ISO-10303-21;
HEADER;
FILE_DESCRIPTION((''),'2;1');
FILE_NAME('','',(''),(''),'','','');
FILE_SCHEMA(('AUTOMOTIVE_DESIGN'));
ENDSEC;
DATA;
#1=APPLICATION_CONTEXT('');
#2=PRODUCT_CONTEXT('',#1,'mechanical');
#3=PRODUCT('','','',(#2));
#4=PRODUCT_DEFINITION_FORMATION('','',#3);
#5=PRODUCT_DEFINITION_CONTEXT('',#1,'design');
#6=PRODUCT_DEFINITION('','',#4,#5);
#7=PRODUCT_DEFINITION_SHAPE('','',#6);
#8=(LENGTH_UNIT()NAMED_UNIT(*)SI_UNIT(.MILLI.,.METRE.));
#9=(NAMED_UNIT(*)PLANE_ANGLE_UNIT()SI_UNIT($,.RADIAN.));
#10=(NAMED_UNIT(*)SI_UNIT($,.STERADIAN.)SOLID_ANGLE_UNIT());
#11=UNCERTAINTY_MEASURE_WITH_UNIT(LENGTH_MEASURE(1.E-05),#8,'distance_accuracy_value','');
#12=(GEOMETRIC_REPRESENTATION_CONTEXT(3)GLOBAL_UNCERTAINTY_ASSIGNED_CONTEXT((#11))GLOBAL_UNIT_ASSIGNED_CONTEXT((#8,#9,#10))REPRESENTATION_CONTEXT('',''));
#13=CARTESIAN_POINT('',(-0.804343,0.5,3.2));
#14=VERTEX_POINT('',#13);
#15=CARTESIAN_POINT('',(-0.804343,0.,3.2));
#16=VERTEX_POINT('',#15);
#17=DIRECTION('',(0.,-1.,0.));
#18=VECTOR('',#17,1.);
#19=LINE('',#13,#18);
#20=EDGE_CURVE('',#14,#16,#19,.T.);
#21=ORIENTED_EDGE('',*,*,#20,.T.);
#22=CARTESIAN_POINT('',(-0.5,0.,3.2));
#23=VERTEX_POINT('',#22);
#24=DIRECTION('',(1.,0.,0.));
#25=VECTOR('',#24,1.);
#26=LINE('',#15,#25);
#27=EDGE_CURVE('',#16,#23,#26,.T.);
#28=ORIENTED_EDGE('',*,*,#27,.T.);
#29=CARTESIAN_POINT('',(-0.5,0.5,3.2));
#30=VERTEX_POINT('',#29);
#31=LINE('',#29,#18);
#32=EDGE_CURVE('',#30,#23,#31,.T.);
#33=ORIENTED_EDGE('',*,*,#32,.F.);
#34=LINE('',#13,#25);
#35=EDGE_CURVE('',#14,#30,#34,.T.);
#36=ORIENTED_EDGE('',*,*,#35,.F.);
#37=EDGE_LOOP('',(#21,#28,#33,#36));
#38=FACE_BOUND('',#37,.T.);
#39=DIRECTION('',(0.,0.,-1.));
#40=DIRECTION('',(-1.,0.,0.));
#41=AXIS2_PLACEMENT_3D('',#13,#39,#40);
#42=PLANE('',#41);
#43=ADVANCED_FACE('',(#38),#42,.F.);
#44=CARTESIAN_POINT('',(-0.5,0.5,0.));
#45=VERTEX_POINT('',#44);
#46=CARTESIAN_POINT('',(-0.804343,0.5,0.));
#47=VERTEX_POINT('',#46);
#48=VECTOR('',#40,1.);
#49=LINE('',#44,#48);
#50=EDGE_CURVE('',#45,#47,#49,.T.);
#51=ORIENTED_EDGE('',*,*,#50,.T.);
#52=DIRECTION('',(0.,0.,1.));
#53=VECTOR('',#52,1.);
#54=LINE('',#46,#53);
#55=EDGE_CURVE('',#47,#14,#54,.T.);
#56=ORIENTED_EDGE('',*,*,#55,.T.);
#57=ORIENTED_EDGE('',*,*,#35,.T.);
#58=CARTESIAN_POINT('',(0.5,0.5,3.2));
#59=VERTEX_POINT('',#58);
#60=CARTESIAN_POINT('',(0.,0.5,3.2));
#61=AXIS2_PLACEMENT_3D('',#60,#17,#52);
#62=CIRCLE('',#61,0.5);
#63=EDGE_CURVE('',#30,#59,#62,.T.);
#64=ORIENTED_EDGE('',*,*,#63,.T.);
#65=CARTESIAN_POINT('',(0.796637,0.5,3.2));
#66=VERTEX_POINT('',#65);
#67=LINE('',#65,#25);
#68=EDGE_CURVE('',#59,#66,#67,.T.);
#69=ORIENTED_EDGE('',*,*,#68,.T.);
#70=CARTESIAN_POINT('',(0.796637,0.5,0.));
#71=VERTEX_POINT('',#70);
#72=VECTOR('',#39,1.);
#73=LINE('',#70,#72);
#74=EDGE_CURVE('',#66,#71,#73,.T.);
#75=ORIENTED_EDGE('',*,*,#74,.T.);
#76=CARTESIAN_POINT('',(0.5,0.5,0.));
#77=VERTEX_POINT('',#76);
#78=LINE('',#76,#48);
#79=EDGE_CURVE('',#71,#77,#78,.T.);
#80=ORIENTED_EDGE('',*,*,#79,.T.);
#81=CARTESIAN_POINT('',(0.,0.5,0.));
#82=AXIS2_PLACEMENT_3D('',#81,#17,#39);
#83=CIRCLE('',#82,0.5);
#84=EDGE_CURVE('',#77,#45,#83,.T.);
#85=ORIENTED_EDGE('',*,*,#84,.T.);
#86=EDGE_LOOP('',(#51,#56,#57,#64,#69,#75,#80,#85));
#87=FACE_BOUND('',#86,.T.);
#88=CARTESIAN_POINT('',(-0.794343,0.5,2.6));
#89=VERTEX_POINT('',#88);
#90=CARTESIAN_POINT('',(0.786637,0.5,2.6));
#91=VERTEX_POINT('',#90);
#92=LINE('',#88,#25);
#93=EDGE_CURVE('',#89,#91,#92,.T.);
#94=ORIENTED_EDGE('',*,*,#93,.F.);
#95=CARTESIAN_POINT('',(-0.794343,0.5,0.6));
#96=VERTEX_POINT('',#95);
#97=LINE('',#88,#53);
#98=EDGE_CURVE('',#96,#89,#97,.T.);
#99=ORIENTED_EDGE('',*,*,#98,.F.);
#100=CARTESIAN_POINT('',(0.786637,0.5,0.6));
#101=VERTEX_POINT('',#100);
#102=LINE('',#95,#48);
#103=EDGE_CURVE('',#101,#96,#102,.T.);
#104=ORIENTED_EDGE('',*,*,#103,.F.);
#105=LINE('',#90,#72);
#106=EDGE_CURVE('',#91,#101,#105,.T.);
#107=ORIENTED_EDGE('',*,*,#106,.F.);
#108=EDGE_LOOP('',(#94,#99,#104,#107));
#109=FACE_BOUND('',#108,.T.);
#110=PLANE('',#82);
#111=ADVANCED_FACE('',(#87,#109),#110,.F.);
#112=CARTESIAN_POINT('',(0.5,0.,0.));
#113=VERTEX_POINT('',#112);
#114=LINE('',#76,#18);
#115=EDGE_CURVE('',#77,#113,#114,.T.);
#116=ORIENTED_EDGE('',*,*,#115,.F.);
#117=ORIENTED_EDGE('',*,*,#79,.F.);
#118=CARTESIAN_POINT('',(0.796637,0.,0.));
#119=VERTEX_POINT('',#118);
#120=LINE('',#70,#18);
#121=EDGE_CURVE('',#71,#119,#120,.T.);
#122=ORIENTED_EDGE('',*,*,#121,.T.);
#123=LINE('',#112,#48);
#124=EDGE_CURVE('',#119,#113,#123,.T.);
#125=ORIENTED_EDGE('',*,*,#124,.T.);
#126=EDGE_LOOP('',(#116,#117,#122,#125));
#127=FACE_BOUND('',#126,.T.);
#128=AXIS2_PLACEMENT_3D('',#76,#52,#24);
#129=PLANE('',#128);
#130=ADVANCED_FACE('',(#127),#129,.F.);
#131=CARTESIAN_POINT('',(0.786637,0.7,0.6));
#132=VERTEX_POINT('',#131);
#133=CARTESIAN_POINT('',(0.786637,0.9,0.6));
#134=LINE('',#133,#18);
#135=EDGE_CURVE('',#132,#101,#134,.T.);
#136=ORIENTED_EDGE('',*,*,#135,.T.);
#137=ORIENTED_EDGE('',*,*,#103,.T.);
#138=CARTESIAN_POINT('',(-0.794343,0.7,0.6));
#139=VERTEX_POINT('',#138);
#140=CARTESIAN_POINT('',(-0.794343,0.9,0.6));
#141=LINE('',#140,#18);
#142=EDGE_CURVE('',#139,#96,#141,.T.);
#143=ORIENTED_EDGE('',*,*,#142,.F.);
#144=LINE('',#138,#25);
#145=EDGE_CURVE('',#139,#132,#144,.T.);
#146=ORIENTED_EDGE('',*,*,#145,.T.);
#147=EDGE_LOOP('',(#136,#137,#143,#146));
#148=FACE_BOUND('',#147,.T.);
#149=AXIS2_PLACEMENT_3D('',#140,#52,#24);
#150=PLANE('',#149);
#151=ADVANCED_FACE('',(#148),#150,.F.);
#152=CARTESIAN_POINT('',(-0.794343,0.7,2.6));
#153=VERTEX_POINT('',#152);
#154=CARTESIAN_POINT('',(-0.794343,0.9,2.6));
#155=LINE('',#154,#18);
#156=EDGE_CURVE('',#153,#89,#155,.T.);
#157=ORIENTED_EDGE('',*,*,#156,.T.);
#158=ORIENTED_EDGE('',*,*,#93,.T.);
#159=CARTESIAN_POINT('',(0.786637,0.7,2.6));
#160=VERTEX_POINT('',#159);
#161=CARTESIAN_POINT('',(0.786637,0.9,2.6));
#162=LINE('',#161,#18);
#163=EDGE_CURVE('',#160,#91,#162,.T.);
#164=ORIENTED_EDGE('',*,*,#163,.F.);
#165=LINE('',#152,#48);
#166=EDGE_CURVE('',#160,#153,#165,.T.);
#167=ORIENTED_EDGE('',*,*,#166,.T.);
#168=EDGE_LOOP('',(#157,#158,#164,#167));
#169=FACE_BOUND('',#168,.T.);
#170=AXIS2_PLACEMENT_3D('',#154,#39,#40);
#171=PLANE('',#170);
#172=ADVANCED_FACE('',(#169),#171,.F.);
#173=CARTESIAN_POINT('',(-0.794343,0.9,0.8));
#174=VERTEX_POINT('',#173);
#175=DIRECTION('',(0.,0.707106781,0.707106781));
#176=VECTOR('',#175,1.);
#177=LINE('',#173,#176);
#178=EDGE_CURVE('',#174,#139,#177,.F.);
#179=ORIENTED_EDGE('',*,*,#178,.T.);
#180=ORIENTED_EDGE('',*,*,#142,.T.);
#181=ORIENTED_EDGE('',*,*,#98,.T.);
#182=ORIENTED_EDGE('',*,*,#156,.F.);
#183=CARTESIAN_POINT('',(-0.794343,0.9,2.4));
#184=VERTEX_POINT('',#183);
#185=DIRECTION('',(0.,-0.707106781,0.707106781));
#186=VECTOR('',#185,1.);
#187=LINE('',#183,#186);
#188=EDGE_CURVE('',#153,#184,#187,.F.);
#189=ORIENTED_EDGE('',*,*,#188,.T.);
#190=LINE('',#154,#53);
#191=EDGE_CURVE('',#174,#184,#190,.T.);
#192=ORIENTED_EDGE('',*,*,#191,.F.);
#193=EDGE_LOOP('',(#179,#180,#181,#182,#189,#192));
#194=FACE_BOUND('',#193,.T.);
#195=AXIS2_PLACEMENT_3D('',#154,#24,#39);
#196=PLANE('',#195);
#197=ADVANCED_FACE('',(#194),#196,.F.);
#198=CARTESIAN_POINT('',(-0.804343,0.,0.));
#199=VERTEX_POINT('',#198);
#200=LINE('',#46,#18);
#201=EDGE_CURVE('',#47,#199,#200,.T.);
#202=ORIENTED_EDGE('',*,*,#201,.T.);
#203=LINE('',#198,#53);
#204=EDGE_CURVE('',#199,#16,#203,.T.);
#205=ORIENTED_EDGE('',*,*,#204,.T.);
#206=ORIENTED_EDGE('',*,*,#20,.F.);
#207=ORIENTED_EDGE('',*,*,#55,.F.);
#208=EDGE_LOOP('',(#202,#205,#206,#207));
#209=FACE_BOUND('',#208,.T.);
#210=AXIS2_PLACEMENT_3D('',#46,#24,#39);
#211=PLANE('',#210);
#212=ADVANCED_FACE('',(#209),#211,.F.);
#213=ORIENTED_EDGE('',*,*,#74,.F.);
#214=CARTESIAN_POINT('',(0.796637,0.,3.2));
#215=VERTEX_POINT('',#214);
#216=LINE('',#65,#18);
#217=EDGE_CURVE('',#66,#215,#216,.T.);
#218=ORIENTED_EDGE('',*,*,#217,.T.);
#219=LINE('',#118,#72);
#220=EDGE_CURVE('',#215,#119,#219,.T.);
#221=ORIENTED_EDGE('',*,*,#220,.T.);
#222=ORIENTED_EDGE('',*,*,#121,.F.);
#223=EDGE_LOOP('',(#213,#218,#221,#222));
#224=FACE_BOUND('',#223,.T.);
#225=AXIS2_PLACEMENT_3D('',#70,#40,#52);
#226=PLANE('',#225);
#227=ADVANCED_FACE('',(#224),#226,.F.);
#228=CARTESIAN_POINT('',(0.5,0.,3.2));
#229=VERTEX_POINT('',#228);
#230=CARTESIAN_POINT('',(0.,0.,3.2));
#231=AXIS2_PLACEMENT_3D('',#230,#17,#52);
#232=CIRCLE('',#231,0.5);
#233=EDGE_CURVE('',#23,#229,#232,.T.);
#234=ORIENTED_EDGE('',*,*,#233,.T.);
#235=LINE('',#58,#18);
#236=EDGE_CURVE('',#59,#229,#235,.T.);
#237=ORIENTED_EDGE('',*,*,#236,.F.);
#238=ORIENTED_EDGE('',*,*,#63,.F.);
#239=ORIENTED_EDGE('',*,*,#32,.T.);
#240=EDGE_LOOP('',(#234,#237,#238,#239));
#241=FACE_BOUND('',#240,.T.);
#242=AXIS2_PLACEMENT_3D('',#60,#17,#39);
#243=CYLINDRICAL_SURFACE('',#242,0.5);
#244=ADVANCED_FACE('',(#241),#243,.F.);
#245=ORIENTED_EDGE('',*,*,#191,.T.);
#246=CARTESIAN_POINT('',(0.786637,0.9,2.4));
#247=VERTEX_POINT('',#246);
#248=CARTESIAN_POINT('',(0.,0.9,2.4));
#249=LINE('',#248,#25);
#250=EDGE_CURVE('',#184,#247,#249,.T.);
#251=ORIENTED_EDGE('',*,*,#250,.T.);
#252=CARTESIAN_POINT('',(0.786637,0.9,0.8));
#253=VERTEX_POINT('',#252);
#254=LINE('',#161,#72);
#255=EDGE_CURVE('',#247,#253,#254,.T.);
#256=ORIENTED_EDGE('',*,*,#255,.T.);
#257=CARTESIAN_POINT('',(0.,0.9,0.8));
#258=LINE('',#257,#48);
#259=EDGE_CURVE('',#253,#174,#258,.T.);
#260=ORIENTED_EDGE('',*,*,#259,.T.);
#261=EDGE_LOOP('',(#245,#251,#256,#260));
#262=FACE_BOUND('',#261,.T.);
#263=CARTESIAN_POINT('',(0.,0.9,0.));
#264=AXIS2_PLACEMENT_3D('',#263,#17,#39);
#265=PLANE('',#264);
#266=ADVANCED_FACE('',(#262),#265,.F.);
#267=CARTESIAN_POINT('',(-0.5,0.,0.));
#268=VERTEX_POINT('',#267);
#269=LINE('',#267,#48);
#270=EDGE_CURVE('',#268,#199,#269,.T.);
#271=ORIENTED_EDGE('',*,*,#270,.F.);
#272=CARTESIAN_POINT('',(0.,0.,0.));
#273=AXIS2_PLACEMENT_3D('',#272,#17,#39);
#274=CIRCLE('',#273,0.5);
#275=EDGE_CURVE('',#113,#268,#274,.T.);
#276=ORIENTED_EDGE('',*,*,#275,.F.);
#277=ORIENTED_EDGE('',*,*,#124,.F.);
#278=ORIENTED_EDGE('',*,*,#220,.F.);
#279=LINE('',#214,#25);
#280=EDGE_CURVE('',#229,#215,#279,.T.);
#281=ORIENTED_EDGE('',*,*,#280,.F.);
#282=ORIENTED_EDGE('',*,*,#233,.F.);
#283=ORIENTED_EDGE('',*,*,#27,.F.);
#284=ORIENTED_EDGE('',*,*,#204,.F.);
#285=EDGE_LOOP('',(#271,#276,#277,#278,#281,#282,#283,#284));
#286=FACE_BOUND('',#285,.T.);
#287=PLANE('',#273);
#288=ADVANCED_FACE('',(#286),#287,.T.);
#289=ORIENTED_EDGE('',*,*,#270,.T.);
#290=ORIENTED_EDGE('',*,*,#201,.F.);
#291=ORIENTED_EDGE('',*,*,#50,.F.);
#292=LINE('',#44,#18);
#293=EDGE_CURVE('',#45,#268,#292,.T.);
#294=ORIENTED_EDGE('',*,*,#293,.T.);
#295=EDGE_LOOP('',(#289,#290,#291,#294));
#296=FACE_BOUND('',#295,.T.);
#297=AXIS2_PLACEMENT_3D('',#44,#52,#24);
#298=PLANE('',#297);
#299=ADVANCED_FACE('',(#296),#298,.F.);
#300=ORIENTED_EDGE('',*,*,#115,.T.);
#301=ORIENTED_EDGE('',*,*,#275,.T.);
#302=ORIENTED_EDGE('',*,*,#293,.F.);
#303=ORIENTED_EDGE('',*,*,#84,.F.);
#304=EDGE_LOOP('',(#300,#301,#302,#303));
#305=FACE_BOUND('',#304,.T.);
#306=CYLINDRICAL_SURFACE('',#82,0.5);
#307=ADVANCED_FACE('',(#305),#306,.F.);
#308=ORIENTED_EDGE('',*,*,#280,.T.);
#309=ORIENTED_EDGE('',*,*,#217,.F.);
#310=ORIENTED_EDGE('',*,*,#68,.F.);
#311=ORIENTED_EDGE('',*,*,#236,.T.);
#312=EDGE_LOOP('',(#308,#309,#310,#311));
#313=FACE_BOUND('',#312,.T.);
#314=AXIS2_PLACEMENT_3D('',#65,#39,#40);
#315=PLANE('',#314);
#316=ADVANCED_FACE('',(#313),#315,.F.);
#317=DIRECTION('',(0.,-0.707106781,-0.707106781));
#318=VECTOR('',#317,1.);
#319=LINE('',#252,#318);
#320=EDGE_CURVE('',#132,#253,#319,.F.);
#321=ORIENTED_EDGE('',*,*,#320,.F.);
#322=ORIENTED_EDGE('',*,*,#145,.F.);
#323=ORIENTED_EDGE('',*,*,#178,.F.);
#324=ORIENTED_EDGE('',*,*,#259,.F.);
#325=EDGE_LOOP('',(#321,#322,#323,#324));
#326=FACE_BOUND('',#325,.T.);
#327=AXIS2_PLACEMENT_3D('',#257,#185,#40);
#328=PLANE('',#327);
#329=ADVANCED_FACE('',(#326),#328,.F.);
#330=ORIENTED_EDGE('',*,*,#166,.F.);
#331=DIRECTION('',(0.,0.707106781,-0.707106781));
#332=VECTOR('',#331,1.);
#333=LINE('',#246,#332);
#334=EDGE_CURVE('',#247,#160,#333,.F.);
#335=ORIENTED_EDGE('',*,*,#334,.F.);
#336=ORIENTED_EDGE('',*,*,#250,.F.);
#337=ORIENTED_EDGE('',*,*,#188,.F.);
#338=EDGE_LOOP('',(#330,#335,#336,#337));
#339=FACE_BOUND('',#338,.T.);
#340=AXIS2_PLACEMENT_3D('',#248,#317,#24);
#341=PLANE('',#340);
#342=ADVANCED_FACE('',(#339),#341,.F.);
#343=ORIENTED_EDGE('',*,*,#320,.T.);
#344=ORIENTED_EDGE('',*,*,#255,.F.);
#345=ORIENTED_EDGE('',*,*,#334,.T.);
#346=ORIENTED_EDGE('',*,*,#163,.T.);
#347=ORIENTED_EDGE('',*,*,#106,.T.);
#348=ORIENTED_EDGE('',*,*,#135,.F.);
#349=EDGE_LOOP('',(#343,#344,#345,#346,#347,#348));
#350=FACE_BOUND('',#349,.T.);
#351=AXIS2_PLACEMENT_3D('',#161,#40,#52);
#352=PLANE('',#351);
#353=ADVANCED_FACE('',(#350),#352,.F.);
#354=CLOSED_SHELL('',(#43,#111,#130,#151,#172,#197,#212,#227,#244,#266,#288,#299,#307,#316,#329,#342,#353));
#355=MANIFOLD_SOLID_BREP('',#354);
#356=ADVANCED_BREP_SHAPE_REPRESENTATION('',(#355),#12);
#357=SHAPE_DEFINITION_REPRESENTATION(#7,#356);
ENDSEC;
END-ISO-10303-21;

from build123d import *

# Parameters (mm, degrees)
BOSS_EXTRUDE1_DEPTH = 0.5
SKETCH2_W           = 1.580979229
SKETCH2_H           = 2
BOSS_EXTRUDE3_DEPTH = 0.4
CHAMFER2_SIZE       = 0.2


with BuildPart() as part:
    # Sketch1 → Boss-Extrude1 (new body)
    with BuildSketch(Plane(origin=(0, 0, 0), x_dir=(1, 0, 0), z_dir=(0, 1, 0))):
        with BuildLine():
            Line((-0.5, 0), (-0.804342602, 0))
            Line((-0.804342602, 0), (-0.804342602, -3.2))
            Line((-0.804342602, -3.2), (-0.5, -3.2))
            ThreePointArc((-0.5, -3.2), (0, -2.7), (0.5, -3.2))
            Line((0.5, -3.2), (0.796636627, -3.2))
            Line((0.796636627, -3.2), (0.796636627, 0))
            Line((0.796636627, 0), (0.5, 0))
            ThreePointArc((0.5, 0), (0, -0.5), (-0.5, 0))
        make_face()
    extrude(amount=BOSS_EXTRUDE1_DEPTH)

    # Sketch2 → Boss-Extrude3 (add)
    with BuildSketch(Plane(origin=(0, 0.5, 0), x_dir=(1, 0, 0), z_dir=(0, 1, 0))):
        with Locations((-0.003852988, -1.6)):
            Rectangle(SKETCH2_W, SKETCH2_H)
    extrude(amount=BOSS_EXTRUDE3_DEPTH)

    # Chamfer2
    chamfer2_edges = [part.edges().sort_by_distance(p)[0] for p in [
        (-0.003852988, 0.9, 2.6),
        (-0.003852988, 0.9, 0.6),
    ]]
    chamfer(chamfer2_edges, length=CHAMFER2_SIZE)


solid = part.part
